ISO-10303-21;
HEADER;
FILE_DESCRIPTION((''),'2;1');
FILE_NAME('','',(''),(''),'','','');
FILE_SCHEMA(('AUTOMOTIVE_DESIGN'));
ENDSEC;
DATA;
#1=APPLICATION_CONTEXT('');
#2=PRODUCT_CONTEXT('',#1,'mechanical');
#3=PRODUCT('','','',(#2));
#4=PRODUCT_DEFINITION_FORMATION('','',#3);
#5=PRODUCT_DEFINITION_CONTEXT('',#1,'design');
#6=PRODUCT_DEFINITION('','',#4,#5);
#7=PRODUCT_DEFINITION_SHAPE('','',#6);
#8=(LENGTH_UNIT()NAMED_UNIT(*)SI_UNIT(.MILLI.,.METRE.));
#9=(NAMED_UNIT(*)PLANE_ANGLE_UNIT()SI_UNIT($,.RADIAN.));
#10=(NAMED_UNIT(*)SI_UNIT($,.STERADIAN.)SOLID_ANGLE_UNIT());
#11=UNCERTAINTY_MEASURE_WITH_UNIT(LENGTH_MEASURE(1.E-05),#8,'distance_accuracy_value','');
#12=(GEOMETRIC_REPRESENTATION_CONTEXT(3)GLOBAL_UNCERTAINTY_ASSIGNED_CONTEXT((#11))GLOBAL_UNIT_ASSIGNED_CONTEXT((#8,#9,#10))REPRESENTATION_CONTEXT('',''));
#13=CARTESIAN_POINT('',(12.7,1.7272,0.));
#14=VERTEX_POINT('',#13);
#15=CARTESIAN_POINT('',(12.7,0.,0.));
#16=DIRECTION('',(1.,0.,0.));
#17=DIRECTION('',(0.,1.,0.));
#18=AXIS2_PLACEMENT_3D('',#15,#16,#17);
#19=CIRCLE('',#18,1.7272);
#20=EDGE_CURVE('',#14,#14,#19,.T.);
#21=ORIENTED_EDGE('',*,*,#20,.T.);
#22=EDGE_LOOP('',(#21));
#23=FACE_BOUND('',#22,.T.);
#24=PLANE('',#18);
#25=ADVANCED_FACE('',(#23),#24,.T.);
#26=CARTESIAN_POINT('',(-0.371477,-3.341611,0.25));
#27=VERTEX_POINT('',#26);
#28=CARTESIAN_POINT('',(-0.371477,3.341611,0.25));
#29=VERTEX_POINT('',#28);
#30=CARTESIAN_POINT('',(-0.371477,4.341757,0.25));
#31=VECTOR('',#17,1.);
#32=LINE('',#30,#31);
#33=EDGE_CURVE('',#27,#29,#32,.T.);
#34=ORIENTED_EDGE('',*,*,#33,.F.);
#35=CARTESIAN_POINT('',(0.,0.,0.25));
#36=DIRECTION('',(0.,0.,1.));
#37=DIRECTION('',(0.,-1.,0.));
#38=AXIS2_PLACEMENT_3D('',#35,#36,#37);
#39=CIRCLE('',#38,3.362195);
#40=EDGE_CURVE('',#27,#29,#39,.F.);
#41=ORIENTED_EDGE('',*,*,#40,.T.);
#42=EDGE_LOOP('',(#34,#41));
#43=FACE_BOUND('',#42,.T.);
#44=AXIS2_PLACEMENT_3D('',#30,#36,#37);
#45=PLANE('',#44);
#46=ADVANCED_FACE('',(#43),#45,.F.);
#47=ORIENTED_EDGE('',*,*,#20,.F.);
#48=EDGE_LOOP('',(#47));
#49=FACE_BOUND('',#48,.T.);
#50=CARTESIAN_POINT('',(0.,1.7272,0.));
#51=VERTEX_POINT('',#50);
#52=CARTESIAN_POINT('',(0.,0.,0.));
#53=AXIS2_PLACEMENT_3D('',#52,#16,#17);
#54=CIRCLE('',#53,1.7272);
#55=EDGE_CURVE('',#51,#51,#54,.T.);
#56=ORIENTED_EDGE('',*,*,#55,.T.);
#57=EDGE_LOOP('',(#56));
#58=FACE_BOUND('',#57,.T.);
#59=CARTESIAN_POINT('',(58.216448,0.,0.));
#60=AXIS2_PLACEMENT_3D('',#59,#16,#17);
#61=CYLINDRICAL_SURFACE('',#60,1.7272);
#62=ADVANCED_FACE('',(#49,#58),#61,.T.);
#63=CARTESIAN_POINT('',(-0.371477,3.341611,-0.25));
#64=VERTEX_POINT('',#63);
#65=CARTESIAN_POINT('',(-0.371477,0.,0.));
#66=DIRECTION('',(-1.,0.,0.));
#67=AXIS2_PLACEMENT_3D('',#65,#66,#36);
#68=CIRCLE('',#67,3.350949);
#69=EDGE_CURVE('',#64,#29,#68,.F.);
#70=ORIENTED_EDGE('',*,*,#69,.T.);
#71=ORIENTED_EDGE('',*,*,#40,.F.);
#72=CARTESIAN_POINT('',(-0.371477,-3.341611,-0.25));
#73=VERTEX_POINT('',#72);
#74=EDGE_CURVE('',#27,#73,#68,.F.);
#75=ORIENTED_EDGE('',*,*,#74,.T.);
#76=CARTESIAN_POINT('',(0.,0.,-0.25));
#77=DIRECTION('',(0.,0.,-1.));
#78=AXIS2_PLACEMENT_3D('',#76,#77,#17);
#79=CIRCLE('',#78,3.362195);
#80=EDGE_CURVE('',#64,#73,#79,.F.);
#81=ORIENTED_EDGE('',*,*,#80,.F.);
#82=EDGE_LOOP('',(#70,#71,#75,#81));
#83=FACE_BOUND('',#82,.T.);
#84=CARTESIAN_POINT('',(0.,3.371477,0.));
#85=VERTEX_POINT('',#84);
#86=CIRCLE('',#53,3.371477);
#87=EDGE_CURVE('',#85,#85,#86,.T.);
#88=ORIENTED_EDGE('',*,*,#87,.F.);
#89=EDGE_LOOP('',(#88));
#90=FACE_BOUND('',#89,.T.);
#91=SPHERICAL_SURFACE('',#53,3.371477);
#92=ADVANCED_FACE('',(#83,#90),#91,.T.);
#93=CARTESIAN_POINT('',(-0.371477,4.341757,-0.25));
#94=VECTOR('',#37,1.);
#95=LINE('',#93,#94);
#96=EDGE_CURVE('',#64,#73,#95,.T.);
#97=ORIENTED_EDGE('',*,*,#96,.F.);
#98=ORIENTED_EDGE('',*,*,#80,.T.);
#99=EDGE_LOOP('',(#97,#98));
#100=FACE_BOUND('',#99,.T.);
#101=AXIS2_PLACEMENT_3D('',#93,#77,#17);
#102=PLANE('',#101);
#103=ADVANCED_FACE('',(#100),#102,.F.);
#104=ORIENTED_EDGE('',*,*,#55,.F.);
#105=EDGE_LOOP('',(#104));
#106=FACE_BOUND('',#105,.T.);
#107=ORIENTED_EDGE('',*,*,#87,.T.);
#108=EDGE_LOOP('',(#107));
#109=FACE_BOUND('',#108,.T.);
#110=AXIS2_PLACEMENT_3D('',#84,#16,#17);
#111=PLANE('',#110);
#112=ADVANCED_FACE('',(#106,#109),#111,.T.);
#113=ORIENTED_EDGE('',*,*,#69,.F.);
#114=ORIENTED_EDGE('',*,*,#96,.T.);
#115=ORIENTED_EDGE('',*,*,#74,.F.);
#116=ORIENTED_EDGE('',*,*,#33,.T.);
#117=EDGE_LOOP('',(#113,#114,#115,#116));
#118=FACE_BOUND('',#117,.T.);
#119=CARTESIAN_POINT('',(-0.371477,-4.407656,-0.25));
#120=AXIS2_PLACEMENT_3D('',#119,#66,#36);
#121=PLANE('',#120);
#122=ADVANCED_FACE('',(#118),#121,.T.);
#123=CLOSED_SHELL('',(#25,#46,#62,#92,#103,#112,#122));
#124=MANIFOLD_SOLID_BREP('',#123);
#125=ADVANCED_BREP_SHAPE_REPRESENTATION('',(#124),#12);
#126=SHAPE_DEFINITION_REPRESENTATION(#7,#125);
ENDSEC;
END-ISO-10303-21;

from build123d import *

# Parameters (mm, degrees)
SKETCH2_W          = 0.5
SKETCH2_H          = 8.749412665
CUT_EXTRUDE1_DEPTH = 3


with BuildPart() as part:
    # Sketch1 → Revolve3 (revolve)
    with BuildSketch(Plane.XY):
        with BuildLine():
            Line((12.7, 0), (12.7, 1.7272))
            Line((12.7, 1.7272), (0, 1.7272))
            Line((0, 1.7272), (0, 3.371476925))
            ThreePointArc((0, 3.371476925), (-2.383994197, 2.383994197), (-3.371476925, 0))
            Line((-3.371476925, 0), (12.7, 0))
        make_face()
    revolve(axis=Axis((25.331759203, 0, 0), (-1, 0, 0)))

    # Sketch2 → Cut-Extrude1 (cut)
    with BuildSketch(Plane.ZY.offset(3.371476925)):
        with Locations((0, -0.032949338)):
            Rectangle(SKETCH2_W, SKETCH2_H)
    extrude(amount=-CUT_EXTRUDE1_DEPTH, mode=Mode.SUBTRACT)


solid = part.part
